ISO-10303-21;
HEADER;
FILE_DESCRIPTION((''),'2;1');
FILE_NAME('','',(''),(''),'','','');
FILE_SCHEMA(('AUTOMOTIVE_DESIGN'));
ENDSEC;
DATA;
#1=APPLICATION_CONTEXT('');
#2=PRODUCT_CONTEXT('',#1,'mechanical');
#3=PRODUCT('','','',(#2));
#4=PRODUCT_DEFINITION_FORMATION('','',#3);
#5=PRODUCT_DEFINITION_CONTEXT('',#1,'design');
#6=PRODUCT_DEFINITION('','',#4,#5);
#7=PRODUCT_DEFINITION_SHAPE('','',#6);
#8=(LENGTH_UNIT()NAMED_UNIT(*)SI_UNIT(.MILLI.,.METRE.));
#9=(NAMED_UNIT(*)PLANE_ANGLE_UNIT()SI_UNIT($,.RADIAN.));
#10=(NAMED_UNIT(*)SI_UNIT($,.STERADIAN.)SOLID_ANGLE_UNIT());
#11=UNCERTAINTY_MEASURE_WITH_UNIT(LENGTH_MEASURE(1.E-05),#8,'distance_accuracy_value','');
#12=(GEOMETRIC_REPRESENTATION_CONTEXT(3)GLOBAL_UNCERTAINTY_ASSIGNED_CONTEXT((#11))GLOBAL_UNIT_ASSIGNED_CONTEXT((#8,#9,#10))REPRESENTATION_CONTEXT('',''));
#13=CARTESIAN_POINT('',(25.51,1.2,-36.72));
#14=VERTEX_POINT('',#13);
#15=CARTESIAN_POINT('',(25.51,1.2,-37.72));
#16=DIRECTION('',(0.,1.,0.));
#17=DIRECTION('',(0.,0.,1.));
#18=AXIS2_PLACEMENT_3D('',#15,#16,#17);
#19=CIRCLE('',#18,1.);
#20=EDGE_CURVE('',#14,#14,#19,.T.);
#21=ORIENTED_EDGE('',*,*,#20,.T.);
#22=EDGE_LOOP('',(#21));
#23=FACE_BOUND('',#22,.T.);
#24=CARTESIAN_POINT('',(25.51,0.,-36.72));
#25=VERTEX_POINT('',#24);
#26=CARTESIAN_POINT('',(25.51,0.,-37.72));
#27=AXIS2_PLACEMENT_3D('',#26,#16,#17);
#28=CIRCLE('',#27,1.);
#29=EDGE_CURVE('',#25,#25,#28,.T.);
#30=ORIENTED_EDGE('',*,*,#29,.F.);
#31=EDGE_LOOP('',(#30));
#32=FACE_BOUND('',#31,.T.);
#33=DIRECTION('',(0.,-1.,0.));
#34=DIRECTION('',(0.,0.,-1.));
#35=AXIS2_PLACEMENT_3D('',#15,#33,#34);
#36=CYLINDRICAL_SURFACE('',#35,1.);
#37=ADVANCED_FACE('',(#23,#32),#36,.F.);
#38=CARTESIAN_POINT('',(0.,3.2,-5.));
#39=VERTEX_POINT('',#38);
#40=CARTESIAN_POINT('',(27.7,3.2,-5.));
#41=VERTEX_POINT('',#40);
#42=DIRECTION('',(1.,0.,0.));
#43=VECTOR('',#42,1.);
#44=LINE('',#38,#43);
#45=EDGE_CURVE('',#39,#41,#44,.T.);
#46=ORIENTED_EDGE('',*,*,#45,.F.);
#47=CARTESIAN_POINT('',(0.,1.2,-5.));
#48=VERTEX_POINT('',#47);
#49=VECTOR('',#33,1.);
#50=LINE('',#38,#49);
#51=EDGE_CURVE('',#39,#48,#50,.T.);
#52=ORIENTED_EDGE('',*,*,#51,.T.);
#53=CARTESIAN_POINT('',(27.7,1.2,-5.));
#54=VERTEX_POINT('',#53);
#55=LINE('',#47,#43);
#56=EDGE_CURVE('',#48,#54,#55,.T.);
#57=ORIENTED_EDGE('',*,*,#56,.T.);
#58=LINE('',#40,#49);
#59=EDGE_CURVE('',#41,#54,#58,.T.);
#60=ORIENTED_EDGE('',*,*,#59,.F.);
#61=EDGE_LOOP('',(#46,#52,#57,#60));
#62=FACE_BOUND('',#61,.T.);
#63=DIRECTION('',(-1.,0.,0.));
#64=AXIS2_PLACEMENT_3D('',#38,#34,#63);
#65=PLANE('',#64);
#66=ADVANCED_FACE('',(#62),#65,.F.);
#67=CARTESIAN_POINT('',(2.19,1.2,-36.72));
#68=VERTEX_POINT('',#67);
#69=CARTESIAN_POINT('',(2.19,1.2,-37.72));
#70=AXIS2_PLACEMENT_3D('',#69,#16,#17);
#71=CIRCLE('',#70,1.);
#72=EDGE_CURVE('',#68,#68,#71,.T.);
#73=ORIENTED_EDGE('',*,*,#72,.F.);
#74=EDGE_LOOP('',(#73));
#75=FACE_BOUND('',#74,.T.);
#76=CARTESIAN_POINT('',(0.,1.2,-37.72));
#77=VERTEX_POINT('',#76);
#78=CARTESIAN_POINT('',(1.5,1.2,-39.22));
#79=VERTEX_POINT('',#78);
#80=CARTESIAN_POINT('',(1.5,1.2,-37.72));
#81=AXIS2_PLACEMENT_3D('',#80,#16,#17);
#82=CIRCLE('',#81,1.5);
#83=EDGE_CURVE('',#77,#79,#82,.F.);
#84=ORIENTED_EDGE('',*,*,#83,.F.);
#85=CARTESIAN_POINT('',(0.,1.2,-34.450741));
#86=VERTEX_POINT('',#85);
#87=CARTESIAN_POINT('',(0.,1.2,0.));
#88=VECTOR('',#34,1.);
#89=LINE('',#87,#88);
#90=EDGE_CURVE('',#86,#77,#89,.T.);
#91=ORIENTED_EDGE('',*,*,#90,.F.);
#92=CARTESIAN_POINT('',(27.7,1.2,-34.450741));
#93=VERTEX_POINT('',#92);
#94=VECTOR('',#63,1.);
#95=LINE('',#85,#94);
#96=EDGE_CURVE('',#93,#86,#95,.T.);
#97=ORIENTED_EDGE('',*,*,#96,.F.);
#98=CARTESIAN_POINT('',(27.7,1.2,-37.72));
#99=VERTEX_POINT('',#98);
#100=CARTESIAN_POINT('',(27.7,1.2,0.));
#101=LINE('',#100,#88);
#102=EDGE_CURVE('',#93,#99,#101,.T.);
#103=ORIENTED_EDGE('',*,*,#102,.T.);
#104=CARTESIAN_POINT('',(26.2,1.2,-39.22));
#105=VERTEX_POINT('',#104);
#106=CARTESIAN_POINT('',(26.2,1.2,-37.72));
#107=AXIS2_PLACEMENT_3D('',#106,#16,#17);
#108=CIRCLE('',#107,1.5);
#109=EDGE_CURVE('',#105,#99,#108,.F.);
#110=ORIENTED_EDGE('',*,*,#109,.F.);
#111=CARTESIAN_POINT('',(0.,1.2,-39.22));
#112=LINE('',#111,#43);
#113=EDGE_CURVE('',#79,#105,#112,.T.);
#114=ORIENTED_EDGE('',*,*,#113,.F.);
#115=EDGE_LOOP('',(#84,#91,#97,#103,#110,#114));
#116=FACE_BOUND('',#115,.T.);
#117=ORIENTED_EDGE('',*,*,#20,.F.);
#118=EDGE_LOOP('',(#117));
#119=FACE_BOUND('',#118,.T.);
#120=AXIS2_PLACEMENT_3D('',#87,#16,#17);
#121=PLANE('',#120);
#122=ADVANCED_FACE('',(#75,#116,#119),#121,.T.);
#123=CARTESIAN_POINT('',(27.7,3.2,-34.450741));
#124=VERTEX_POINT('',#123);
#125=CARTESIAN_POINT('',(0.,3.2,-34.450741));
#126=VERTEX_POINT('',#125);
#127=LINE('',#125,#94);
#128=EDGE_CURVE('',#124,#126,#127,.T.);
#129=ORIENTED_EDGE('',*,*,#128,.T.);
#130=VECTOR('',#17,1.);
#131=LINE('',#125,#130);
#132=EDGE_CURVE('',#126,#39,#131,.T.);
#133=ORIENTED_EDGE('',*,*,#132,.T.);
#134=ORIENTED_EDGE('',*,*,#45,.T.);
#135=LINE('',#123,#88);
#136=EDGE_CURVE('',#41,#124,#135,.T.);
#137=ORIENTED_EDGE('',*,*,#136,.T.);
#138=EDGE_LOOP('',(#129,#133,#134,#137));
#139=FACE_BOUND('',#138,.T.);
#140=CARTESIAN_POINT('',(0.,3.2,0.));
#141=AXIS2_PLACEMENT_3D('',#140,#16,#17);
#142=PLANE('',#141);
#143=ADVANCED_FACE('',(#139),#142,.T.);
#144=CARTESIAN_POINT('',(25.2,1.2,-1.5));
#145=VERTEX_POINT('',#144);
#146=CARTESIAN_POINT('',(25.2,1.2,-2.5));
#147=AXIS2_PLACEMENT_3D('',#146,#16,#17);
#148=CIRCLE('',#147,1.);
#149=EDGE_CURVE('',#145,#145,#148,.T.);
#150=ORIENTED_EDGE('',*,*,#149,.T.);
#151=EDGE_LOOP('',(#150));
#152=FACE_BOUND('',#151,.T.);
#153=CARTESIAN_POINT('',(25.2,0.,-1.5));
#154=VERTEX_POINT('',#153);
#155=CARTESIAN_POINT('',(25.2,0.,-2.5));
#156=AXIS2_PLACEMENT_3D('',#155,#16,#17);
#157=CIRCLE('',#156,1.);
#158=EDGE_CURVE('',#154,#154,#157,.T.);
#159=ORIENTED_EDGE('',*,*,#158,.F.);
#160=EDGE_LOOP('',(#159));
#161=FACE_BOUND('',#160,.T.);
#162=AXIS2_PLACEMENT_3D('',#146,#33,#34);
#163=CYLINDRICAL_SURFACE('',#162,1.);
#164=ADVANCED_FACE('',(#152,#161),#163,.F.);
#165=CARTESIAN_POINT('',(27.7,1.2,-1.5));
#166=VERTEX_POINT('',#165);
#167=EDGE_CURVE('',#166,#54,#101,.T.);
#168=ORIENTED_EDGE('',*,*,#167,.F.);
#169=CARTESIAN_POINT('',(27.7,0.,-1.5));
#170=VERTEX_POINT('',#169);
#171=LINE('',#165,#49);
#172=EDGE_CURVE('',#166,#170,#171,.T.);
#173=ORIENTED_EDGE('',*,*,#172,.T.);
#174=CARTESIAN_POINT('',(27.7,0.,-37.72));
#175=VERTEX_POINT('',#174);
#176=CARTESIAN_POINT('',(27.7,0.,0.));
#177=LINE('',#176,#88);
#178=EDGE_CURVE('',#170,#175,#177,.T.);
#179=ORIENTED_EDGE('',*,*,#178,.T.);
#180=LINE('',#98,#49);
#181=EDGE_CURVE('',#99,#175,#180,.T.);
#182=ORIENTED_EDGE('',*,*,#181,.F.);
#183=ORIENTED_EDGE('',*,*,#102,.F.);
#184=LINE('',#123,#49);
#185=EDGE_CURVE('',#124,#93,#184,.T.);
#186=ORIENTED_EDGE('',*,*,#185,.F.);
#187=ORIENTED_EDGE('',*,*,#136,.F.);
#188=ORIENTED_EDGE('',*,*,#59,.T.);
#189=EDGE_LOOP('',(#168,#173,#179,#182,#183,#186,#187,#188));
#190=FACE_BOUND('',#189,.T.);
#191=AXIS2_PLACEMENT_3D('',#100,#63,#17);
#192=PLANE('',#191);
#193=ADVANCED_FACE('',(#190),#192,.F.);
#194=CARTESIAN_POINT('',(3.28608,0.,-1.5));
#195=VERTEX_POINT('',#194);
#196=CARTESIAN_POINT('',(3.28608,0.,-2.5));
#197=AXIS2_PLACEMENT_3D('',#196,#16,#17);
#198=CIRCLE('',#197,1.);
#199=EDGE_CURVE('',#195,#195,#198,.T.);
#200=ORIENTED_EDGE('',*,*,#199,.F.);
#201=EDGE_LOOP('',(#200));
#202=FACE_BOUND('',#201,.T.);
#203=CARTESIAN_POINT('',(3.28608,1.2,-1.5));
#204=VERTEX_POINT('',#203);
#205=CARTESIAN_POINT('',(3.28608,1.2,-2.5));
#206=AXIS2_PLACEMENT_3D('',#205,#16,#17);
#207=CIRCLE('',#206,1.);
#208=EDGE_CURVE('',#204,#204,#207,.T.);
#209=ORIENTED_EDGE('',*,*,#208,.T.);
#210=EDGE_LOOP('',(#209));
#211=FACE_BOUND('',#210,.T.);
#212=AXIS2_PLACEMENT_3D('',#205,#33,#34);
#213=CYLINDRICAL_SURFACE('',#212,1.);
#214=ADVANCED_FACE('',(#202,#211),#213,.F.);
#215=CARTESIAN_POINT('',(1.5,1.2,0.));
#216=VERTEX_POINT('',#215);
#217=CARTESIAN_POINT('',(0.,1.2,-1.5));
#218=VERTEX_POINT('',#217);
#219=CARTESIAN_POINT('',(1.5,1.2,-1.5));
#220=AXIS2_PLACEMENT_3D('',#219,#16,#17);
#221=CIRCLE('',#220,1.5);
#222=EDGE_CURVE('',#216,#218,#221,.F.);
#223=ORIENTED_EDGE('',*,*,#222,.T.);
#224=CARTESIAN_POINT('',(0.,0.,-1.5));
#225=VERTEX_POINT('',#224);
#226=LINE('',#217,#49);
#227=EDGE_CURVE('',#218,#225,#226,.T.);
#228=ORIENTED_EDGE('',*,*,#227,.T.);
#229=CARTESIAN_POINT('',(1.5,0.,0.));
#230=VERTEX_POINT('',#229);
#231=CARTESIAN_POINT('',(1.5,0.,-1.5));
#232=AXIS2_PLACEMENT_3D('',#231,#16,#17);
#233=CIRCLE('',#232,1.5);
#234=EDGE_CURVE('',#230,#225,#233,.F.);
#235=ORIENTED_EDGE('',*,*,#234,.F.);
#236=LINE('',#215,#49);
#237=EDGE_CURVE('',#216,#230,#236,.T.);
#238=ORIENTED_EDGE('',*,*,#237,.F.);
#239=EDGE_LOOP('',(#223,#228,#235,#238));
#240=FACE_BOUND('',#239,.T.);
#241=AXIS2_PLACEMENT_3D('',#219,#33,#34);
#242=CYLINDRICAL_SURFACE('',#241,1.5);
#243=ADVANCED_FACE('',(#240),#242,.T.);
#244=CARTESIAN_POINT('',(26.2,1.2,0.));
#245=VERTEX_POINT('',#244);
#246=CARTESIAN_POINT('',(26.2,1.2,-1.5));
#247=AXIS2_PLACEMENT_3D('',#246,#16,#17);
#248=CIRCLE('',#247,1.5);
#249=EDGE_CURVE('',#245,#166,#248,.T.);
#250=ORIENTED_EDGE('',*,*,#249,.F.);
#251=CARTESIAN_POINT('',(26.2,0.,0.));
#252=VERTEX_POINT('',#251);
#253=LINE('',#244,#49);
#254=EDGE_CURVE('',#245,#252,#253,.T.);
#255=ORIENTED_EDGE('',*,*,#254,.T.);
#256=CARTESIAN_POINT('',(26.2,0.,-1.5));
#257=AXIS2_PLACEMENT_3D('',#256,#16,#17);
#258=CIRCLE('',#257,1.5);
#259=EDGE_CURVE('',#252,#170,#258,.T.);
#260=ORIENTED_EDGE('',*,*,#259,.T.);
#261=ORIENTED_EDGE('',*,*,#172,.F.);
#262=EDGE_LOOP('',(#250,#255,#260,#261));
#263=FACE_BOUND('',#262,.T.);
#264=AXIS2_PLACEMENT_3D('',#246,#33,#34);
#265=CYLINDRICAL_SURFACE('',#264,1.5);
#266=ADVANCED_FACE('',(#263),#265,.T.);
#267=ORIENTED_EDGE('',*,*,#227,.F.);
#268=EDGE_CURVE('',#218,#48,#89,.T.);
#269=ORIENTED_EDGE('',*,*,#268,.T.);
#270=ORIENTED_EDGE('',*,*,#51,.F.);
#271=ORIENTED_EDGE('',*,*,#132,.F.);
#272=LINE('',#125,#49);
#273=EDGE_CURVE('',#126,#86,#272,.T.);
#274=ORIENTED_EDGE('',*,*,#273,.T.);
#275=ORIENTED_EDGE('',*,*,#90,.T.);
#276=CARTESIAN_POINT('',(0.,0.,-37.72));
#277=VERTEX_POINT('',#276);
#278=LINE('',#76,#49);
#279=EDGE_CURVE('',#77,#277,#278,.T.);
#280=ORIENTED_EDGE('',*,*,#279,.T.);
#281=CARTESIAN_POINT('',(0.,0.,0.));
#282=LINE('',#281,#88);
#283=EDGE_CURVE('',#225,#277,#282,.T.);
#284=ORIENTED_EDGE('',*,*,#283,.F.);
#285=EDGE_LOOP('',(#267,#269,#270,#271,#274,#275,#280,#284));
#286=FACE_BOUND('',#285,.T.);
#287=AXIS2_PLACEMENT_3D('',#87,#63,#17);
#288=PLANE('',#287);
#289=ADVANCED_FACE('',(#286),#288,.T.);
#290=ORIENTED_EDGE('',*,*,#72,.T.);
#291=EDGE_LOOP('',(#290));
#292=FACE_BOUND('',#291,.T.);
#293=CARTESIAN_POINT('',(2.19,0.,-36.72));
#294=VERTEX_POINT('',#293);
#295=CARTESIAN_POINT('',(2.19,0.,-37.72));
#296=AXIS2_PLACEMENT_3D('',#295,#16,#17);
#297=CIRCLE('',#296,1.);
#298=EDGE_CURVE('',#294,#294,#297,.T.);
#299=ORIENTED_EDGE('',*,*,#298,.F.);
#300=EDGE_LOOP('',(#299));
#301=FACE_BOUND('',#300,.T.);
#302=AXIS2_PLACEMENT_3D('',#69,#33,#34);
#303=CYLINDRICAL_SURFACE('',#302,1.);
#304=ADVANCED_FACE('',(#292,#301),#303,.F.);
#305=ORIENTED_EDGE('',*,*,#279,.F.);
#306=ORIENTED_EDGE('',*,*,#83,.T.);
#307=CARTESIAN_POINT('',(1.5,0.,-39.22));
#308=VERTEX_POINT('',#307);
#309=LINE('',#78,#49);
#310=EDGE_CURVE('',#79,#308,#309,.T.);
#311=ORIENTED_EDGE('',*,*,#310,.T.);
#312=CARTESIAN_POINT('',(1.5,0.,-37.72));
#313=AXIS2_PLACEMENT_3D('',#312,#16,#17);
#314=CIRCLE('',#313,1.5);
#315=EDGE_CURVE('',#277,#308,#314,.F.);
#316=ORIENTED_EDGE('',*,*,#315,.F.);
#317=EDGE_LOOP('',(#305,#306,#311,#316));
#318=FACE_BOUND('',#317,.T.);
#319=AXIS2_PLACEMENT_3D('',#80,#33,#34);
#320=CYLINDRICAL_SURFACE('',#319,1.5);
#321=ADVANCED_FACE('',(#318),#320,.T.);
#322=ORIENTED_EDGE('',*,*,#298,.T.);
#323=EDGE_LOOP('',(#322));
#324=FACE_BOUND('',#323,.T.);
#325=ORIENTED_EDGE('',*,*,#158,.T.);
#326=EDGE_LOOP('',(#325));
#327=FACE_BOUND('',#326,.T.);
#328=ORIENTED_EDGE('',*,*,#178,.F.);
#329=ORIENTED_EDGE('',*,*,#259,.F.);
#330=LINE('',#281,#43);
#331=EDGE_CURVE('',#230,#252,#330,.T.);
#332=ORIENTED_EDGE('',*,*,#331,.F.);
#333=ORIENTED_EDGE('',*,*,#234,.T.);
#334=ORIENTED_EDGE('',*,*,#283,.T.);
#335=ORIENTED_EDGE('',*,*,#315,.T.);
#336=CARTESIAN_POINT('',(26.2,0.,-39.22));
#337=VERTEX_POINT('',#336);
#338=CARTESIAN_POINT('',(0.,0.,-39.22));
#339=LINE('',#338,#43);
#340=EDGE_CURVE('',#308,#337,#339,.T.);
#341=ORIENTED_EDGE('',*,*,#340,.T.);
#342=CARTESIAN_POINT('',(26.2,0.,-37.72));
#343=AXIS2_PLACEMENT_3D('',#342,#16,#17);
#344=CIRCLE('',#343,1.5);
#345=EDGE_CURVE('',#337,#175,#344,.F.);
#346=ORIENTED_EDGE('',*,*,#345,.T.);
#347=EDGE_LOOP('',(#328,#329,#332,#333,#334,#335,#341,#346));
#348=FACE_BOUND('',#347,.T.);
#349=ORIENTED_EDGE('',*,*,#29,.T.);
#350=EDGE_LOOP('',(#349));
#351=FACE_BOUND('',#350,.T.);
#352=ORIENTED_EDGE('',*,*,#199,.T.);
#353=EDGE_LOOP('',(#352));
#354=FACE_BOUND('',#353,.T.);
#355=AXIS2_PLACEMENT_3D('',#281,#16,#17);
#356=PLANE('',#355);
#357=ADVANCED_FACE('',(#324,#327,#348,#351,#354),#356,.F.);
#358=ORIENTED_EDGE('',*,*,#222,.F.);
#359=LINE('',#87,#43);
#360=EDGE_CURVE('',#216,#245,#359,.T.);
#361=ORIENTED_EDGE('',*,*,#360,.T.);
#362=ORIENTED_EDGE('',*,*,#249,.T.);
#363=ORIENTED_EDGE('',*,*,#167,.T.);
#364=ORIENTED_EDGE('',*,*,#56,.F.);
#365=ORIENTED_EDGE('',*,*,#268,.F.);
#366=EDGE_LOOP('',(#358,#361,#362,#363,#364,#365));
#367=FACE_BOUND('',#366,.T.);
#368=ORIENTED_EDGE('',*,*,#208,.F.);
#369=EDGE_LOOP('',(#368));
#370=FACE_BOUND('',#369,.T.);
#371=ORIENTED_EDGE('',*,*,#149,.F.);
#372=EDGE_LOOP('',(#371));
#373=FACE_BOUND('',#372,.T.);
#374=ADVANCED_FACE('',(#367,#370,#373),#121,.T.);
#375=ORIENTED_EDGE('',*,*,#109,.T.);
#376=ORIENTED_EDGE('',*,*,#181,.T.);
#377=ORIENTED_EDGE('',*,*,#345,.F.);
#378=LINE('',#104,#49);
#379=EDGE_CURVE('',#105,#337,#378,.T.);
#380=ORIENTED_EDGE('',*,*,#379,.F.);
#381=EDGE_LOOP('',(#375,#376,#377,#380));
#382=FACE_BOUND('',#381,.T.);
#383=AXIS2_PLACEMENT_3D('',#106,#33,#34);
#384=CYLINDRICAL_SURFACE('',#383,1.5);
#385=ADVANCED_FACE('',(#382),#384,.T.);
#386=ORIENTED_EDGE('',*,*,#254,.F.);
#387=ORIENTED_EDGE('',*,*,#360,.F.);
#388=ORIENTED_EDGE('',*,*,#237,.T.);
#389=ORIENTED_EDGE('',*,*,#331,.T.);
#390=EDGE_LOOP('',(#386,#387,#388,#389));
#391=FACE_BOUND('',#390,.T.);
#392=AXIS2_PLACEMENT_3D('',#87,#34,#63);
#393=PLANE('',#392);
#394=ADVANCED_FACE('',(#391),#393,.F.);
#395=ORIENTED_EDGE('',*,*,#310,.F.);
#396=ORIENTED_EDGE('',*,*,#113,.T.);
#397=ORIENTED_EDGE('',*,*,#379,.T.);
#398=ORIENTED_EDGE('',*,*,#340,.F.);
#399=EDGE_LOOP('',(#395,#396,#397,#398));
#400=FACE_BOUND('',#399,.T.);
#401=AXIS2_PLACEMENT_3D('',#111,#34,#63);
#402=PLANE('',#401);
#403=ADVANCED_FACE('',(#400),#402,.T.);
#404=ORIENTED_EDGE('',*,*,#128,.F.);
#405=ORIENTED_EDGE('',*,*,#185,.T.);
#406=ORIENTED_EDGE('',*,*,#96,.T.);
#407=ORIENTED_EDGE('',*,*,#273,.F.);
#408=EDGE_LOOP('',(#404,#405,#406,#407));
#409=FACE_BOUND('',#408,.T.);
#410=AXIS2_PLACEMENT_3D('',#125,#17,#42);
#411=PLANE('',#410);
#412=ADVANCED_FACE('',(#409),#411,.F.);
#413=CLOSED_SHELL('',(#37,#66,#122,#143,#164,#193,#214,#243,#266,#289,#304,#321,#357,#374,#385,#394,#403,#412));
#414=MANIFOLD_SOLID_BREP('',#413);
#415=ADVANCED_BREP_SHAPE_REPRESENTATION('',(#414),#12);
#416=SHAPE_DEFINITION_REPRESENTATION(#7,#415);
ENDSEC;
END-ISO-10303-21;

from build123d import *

# Parameters (mm, degrees)
SKETCH1_R           = 1
BOSS_EXTRUDE1_DEPTH = 1.2
SKETCH2_W           = 27.7
SKETCH2_H           = 29.450740724
BOSS_EXTRUDE2_DEPTH = 2


with BuildPart() as part:
    # Sketch1 → Boss-Extrude1 (new body)
    with BuildSketch(Plane(origin=(0, 0, 0), x_dir=(1, 0, 0), z_dir=(0, 1, 0))):
        with BuildLine():
            ThreePointArc((0, 37.72), (0.439339828, 38.780660172), (1.5, 39.22))
            Line((1.5, 39.22), (26.2, 39.22))
            ThreePointArc((26.2, 39.22), (27.260660172, 38.780660172), (27.7, 37.72))
            Line((27.7, 37.72), (27.7, 1.5))
            ThreePointArc((27.7, 1.5), (27.260660172, 0.439339828), (26.2, 0))
            Line((26.2, 0), (1.5, 0))
            ThreePointArc((1.5, 0), (0.439339828, 0.439339828), (0, 1.5))
            Line((0, 1.5), (0, 37.72))
        make_face()
        with Locations(Location((25.2, 2.5, 0), (0, 0, 270))):
            Circle(SKETCH1_R, mode=Mode.SUBTRACT)
        with Locations(Location((3.286079962, 2.5, 0), (0, 0, 270))):
            Circle(SKETCH1_R, mode=Mode.SUBTRACT)
        with Locations(Location((25.51, 37.72, 0), (0, 0, 270))):
            Circle(SKETCH1_R, mode=Mode.SUBTRACT)
        with Locations(Location((2.19, 37.72, 0), (0, 0, 270))):
            Circle(SKETCH1_R, mode=Mode.SUBTRACT)
    extrude(amount=BOSS_EXTRUDE1_DEPTH)

    # Sketch2 → Boss-Extrude2 (add)
    with BuildSketch(Plane(origin=(0, 1.2, 0), x_dir=(1, 0, 0), z_dir=(0, 1, 0))):
        with Locations((13.85, 19.725370362)):
            Rectangle(SKETCH2_W, SKETCH2_H)
    extrude(amount=BOSS_EXTRUDE2_DEPTH)


solid = part.part
